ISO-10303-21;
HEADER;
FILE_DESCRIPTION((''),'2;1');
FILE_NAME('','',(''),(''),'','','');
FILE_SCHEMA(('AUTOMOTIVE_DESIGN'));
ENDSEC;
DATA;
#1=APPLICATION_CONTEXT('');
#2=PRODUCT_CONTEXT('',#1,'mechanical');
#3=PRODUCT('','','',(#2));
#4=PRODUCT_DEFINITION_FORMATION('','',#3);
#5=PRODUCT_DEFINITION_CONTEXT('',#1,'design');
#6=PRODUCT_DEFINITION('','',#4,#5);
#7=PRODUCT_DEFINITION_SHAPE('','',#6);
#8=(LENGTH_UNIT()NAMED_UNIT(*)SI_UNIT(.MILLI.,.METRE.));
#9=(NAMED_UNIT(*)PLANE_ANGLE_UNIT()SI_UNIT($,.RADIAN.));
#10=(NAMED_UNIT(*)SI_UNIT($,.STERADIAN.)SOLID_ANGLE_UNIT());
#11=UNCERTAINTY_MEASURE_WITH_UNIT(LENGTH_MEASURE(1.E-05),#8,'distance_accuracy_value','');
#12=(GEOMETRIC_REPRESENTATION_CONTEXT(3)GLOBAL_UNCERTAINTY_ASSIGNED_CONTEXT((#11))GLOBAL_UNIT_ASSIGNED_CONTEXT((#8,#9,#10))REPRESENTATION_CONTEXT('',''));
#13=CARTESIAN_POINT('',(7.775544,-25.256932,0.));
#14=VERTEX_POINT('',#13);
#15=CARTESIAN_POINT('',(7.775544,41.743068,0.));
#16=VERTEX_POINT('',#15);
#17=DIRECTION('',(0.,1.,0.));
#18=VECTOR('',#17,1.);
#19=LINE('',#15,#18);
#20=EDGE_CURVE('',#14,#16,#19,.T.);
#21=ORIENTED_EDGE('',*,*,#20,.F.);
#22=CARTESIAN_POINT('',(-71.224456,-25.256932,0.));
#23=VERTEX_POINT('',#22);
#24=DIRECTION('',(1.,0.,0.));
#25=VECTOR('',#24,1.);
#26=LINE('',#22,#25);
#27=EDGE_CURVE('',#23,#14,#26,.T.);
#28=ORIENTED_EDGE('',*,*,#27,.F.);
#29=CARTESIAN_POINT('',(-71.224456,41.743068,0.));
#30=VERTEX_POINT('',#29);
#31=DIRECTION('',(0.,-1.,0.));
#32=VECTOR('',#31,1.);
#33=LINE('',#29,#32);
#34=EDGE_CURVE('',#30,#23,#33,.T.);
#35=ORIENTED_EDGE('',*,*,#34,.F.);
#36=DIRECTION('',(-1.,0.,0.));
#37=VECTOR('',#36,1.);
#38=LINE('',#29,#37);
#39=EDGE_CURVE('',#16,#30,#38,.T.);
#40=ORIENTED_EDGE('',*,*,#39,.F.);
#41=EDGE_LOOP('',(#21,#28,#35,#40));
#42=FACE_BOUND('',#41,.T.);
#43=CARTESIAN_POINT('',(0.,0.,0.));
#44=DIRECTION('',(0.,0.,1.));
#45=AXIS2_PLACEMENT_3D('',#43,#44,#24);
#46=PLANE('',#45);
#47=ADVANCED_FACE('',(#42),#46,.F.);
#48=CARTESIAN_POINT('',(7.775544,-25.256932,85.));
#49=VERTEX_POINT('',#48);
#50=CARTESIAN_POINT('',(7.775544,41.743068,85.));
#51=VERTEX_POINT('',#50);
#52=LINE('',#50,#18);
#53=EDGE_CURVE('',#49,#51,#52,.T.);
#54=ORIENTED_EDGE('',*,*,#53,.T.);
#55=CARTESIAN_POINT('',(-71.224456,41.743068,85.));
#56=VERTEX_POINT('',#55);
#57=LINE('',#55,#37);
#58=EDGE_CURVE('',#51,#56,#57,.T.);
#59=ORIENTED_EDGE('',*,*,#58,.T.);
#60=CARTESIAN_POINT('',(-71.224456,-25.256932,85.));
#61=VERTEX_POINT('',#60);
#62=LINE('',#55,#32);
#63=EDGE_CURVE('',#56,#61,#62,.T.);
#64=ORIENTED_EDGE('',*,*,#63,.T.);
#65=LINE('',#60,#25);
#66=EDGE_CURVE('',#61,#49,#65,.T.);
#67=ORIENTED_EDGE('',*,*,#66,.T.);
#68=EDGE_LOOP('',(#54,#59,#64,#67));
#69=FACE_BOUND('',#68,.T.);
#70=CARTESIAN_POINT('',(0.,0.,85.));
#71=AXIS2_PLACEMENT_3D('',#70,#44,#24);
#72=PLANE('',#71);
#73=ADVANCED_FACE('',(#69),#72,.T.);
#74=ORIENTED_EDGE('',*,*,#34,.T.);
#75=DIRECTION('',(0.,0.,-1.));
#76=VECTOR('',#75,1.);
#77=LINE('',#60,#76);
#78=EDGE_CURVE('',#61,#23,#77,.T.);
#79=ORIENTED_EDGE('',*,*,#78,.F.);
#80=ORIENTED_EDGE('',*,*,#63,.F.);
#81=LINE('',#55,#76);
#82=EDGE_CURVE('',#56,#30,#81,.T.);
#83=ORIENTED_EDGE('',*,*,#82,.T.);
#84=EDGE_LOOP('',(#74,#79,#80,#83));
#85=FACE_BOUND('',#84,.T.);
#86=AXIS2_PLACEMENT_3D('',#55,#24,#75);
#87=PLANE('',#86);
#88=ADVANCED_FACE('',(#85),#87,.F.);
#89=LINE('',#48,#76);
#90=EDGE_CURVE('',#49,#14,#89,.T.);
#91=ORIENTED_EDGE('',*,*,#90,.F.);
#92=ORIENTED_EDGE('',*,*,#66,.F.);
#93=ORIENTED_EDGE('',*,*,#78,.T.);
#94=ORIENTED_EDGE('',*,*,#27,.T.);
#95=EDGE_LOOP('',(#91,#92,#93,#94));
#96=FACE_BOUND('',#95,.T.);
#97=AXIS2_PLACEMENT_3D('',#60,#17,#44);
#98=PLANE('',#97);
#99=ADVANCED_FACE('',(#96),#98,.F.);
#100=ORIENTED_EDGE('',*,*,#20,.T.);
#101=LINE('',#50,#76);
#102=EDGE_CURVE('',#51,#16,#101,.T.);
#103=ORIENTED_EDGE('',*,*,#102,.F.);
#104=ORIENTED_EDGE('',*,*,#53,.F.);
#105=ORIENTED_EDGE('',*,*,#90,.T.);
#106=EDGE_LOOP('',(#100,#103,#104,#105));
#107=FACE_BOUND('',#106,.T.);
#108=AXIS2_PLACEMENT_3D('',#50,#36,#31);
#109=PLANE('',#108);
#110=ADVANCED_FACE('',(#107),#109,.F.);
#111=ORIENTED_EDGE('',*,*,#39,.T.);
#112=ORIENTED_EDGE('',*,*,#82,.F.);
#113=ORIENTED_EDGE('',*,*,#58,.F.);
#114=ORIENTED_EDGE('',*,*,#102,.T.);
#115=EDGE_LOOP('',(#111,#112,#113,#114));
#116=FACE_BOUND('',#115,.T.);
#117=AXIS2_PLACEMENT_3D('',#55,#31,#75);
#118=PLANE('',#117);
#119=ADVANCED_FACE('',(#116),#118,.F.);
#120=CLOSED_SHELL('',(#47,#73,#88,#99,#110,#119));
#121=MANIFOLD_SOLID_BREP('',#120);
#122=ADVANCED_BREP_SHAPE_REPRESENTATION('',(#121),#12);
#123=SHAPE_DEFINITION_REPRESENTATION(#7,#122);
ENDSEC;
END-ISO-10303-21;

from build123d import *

# Parameters (mm, degrees)
IZIM1_W                     = 79
IZIM1_H                     = 67
Y_KSEKLIK_EKSTR_ZYON1_DEPTH = 85


with BuildPart() as part:
    # Çizim1 → Yükseklik-Ekstrüzyon1 (new body)
    with BuildSketch(Plane.XY):
        with Locations((-31.724455693, 8.243067591)):
            Rectangle(IZIM1_W, IZIM1_H)
    extrude(amount=Y_KSEKLIK_EKSTR_ZYON1_DEPTH)


solid = part.part
